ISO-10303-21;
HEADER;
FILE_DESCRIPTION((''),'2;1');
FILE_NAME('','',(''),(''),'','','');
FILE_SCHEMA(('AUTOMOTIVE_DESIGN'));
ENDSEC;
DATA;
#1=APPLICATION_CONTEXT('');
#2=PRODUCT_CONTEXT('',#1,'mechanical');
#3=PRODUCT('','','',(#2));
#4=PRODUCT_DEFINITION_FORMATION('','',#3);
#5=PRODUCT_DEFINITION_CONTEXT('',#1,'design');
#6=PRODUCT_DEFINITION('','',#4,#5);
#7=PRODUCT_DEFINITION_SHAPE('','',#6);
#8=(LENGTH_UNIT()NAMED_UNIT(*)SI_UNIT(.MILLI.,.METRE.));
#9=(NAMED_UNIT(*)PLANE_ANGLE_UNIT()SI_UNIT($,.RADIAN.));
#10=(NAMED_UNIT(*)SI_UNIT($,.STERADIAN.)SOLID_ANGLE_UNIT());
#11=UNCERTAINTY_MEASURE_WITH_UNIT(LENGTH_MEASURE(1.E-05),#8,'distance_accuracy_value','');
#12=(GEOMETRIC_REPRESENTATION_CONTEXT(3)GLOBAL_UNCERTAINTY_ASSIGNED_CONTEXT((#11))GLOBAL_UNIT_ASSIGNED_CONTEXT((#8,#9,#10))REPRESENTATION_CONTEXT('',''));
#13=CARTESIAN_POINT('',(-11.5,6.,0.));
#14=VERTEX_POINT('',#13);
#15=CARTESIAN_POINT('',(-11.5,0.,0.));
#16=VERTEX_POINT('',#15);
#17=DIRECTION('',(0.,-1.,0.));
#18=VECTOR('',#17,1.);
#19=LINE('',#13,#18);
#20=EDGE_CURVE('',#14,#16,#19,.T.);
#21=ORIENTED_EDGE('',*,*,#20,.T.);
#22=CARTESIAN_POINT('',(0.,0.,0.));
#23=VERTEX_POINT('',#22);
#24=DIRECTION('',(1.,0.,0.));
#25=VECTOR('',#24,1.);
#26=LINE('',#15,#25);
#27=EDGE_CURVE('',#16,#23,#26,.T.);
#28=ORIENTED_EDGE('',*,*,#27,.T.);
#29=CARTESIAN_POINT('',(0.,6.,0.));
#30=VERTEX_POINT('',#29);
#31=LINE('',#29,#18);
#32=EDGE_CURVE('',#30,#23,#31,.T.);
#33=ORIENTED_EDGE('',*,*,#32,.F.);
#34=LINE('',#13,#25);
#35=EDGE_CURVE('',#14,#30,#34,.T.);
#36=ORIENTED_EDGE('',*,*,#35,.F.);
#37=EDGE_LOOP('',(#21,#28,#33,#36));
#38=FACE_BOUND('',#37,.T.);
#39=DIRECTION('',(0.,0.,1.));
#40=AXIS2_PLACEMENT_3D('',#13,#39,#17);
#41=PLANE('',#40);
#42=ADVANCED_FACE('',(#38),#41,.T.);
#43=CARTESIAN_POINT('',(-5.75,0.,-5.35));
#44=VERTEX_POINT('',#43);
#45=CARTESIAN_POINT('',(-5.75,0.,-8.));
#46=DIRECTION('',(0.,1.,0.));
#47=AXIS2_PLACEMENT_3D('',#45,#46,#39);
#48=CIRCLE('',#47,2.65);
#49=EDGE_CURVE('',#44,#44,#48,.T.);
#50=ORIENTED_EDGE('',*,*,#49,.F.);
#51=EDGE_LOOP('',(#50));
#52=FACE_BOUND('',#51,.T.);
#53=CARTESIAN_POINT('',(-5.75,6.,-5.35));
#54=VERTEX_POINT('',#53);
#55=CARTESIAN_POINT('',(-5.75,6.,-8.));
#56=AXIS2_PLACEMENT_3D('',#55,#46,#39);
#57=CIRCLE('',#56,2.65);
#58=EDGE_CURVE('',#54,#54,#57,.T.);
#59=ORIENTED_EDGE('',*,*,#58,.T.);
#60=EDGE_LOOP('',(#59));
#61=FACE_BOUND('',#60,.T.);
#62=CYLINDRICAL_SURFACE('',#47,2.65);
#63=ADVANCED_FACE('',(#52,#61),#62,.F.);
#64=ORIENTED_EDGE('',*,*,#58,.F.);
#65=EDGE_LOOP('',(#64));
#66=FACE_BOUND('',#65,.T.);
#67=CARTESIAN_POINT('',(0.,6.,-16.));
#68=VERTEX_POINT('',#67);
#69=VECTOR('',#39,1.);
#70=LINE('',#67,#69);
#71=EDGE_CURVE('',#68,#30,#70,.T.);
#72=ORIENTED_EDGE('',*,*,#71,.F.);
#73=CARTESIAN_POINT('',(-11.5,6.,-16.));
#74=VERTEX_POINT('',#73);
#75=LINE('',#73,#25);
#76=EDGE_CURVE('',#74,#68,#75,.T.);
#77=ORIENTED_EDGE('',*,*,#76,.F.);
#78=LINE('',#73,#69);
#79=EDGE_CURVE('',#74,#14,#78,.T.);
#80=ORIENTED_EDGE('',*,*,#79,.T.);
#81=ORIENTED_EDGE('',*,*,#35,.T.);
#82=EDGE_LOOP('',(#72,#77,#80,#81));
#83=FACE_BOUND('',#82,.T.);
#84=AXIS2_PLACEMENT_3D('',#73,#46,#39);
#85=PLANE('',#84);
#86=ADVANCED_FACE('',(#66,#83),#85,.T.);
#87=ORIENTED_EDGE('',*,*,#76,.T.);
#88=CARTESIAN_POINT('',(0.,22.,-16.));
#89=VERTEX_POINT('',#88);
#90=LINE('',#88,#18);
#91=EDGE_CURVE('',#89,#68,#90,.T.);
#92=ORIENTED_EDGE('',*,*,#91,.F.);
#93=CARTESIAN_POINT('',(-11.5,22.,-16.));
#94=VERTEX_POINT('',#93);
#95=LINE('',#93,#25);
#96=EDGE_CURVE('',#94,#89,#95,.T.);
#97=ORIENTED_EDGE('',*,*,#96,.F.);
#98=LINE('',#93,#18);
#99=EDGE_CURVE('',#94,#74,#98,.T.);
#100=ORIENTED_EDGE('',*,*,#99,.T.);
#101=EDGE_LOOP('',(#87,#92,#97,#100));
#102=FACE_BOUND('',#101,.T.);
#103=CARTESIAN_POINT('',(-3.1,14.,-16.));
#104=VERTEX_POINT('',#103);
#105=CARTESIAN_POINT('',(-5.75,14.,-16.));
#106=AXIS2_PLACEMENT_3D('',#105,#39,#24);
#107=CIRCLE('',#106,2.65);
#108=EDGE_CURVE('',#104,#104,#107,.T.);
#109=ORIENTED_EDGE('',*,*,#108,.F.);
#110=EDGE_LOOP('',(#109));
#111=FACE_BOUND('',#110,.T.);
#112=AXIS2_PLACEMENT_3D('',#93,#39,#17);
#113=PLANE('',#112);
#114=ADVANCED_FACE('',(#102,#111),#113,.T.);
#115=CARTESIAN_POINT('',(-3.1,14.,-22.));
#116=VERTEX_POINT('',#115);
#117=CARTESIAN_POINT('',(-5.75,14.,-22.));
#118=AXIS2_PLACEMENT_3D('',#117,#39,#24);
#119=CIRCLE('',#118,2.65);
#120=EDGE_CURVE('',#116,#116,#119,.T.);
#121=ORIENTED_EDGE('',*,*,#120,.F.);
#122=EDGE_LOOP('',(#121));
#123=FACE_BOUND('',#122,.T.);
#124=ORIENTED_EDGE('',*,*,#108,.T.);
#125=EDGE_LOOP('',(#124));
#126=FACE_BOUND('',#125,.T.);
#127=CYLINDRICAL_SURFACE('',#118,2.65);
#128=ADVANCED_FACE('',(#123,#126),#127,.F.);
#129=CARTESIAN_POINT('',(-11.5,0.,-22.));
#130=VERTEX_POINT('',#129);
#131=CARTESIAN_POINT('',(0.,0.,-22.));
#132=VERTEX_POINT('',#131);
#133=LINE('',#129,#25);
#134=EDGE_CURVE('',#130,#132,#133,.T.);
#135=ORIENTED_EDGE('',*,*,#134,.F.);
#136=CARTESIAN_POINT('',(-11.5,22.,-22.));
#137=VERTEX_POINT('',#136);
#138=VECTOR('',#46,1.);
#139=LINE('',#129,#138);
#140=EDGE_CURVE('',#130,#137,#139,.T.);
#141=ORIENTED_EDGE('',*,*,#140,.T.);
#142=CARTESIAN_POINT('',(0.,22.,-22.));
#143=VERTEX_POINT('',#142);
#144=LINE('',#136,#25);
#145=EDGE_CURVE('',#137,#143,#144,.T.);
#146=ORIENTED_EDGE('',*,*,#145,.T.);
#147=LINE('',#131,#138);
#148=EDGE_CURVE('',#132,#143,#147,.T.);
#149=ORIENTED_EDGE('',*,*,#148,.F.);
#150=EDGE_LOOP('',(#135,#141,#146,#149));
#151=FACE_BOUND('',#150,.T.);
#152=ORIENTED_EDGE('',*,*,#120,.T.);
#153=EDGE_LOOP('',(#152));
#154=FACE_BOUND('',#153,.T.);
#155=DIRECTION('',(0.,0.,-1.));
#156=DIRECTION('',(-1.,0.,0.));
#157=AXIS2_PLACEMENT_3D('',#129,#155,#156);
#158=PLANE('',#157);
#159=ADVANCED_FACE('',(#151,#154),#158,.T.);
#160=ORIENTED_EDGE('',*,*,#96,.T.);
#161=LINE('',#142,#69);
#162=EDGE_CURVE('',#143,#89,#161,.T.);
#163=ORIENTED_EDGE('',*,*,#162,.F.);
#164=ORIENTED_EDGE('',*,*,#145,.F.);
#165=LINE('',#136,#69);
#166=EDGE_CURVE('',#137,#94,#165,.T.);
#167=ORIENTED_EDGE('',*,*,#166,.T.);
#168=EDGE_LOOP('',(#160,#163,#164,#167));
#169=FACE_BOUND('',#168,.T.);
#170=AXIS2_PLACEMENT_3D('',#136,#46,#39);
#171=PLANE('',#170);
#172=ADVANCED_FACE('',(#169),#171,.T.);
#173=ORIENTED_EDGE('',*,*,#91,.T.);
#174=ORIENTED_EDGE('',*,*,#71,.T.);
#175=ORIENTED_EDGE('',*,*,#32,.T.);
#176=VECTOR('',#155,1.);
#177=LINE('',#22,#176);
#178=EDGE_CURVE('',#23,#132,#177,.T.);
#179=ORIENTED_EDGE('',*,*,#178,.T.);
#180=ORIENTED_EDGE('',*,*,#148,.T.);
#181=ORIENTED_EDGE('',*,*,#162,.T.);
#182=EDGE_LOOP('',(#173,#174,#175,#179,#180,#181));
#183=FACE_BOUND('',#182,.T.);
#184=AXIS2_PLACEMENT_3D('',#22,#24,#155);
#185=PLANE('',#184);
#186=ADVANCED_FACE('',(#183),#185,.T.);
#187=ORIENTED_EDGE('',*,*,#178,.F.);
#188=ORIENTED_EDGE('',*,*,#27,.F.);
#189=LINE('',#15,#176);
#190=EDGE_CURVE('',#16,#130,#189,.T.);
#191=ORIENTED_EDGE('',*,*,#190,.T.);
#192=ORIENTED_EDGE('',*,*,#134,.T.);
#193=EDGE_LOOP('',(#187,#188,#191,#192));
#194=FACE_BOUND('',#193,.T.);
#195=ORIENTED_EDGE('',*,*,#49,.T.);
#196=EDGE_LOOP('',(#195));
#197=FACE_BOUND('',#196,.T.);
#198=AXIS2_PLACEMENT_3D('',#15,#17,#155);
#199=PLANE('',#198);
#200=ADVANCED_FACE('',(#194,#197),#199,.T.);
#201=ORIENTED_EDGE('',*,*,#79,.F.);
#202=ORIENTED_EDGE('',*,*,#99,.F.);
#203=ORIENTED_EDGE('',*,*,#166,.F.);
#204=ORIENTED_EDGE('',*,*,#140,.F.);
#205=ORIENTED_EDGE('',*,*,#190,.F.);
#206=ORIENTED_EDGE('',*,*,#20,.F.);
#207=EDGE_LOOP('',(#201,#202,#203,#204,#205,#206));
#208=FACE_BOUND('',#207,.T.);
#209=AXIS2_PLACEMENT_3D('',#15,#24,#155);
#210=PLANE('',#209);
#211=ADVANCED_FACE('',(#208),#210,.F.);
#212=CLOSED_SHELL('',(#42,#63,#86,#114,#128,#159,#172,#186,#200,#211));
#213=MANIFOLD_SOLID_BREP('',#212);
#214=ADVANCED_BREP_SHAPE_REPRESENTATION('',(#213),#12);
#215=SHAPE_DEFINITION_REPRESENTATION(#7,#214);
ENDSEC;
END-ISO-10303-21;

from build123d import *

# Parameters (mm, degrees)
BOSS_EXTRUDE1_DEPTH = 11.5
SKETCH2_R           = 2.65
CUT_EXTRUDE1_DEPTH  = 30.533878851
SKETCH3_R           = 2.65
CUT_EXTRUDE2_DEPTH  = 30.533878851


with BuildPart() as part:
    # Sketch1 → Boss-Extrude1 (new body)
    with BuildSketch(Plane(origin=(0, 0, 0), x_dir=(0, 0, -1), z_dir=(1, 0, 0))):
        Polygon((0, 0), (22, 0), (22, 22), (16, 22), (16, 6), (0, 6), align=None)
    extrude(amount=-BOSS_EXTRUDE1_DEPTH)

    # Sketch2 → Cut-Extrude1 (cut, through all)
    with BuildSketch(Plane(origin=(0, 6, 0), x_dir=(1, 0, 0), z_dir=(0, 1, 0))):
        with Locations(Location((-5.75, 8, 0), (0, 0, 270))):
            Circle(SKETCH2_R)
    extrude(amount=-CUT_EXTRUDE1_DEPTH, mode=Mode.SUBTRACT)

    # Sketch3 → Cut-Extrude2 (cut, through all)
    with BuildSketch(Plane.XY.offset(-16)):
        with Locations((-5.75, 14)):
            Circle(SKETCH3_R)
    extrude(amount=-CUT_EXTRUDE2_DEPTH, mode=Mode.SUBTRACT)


solid = part.part
